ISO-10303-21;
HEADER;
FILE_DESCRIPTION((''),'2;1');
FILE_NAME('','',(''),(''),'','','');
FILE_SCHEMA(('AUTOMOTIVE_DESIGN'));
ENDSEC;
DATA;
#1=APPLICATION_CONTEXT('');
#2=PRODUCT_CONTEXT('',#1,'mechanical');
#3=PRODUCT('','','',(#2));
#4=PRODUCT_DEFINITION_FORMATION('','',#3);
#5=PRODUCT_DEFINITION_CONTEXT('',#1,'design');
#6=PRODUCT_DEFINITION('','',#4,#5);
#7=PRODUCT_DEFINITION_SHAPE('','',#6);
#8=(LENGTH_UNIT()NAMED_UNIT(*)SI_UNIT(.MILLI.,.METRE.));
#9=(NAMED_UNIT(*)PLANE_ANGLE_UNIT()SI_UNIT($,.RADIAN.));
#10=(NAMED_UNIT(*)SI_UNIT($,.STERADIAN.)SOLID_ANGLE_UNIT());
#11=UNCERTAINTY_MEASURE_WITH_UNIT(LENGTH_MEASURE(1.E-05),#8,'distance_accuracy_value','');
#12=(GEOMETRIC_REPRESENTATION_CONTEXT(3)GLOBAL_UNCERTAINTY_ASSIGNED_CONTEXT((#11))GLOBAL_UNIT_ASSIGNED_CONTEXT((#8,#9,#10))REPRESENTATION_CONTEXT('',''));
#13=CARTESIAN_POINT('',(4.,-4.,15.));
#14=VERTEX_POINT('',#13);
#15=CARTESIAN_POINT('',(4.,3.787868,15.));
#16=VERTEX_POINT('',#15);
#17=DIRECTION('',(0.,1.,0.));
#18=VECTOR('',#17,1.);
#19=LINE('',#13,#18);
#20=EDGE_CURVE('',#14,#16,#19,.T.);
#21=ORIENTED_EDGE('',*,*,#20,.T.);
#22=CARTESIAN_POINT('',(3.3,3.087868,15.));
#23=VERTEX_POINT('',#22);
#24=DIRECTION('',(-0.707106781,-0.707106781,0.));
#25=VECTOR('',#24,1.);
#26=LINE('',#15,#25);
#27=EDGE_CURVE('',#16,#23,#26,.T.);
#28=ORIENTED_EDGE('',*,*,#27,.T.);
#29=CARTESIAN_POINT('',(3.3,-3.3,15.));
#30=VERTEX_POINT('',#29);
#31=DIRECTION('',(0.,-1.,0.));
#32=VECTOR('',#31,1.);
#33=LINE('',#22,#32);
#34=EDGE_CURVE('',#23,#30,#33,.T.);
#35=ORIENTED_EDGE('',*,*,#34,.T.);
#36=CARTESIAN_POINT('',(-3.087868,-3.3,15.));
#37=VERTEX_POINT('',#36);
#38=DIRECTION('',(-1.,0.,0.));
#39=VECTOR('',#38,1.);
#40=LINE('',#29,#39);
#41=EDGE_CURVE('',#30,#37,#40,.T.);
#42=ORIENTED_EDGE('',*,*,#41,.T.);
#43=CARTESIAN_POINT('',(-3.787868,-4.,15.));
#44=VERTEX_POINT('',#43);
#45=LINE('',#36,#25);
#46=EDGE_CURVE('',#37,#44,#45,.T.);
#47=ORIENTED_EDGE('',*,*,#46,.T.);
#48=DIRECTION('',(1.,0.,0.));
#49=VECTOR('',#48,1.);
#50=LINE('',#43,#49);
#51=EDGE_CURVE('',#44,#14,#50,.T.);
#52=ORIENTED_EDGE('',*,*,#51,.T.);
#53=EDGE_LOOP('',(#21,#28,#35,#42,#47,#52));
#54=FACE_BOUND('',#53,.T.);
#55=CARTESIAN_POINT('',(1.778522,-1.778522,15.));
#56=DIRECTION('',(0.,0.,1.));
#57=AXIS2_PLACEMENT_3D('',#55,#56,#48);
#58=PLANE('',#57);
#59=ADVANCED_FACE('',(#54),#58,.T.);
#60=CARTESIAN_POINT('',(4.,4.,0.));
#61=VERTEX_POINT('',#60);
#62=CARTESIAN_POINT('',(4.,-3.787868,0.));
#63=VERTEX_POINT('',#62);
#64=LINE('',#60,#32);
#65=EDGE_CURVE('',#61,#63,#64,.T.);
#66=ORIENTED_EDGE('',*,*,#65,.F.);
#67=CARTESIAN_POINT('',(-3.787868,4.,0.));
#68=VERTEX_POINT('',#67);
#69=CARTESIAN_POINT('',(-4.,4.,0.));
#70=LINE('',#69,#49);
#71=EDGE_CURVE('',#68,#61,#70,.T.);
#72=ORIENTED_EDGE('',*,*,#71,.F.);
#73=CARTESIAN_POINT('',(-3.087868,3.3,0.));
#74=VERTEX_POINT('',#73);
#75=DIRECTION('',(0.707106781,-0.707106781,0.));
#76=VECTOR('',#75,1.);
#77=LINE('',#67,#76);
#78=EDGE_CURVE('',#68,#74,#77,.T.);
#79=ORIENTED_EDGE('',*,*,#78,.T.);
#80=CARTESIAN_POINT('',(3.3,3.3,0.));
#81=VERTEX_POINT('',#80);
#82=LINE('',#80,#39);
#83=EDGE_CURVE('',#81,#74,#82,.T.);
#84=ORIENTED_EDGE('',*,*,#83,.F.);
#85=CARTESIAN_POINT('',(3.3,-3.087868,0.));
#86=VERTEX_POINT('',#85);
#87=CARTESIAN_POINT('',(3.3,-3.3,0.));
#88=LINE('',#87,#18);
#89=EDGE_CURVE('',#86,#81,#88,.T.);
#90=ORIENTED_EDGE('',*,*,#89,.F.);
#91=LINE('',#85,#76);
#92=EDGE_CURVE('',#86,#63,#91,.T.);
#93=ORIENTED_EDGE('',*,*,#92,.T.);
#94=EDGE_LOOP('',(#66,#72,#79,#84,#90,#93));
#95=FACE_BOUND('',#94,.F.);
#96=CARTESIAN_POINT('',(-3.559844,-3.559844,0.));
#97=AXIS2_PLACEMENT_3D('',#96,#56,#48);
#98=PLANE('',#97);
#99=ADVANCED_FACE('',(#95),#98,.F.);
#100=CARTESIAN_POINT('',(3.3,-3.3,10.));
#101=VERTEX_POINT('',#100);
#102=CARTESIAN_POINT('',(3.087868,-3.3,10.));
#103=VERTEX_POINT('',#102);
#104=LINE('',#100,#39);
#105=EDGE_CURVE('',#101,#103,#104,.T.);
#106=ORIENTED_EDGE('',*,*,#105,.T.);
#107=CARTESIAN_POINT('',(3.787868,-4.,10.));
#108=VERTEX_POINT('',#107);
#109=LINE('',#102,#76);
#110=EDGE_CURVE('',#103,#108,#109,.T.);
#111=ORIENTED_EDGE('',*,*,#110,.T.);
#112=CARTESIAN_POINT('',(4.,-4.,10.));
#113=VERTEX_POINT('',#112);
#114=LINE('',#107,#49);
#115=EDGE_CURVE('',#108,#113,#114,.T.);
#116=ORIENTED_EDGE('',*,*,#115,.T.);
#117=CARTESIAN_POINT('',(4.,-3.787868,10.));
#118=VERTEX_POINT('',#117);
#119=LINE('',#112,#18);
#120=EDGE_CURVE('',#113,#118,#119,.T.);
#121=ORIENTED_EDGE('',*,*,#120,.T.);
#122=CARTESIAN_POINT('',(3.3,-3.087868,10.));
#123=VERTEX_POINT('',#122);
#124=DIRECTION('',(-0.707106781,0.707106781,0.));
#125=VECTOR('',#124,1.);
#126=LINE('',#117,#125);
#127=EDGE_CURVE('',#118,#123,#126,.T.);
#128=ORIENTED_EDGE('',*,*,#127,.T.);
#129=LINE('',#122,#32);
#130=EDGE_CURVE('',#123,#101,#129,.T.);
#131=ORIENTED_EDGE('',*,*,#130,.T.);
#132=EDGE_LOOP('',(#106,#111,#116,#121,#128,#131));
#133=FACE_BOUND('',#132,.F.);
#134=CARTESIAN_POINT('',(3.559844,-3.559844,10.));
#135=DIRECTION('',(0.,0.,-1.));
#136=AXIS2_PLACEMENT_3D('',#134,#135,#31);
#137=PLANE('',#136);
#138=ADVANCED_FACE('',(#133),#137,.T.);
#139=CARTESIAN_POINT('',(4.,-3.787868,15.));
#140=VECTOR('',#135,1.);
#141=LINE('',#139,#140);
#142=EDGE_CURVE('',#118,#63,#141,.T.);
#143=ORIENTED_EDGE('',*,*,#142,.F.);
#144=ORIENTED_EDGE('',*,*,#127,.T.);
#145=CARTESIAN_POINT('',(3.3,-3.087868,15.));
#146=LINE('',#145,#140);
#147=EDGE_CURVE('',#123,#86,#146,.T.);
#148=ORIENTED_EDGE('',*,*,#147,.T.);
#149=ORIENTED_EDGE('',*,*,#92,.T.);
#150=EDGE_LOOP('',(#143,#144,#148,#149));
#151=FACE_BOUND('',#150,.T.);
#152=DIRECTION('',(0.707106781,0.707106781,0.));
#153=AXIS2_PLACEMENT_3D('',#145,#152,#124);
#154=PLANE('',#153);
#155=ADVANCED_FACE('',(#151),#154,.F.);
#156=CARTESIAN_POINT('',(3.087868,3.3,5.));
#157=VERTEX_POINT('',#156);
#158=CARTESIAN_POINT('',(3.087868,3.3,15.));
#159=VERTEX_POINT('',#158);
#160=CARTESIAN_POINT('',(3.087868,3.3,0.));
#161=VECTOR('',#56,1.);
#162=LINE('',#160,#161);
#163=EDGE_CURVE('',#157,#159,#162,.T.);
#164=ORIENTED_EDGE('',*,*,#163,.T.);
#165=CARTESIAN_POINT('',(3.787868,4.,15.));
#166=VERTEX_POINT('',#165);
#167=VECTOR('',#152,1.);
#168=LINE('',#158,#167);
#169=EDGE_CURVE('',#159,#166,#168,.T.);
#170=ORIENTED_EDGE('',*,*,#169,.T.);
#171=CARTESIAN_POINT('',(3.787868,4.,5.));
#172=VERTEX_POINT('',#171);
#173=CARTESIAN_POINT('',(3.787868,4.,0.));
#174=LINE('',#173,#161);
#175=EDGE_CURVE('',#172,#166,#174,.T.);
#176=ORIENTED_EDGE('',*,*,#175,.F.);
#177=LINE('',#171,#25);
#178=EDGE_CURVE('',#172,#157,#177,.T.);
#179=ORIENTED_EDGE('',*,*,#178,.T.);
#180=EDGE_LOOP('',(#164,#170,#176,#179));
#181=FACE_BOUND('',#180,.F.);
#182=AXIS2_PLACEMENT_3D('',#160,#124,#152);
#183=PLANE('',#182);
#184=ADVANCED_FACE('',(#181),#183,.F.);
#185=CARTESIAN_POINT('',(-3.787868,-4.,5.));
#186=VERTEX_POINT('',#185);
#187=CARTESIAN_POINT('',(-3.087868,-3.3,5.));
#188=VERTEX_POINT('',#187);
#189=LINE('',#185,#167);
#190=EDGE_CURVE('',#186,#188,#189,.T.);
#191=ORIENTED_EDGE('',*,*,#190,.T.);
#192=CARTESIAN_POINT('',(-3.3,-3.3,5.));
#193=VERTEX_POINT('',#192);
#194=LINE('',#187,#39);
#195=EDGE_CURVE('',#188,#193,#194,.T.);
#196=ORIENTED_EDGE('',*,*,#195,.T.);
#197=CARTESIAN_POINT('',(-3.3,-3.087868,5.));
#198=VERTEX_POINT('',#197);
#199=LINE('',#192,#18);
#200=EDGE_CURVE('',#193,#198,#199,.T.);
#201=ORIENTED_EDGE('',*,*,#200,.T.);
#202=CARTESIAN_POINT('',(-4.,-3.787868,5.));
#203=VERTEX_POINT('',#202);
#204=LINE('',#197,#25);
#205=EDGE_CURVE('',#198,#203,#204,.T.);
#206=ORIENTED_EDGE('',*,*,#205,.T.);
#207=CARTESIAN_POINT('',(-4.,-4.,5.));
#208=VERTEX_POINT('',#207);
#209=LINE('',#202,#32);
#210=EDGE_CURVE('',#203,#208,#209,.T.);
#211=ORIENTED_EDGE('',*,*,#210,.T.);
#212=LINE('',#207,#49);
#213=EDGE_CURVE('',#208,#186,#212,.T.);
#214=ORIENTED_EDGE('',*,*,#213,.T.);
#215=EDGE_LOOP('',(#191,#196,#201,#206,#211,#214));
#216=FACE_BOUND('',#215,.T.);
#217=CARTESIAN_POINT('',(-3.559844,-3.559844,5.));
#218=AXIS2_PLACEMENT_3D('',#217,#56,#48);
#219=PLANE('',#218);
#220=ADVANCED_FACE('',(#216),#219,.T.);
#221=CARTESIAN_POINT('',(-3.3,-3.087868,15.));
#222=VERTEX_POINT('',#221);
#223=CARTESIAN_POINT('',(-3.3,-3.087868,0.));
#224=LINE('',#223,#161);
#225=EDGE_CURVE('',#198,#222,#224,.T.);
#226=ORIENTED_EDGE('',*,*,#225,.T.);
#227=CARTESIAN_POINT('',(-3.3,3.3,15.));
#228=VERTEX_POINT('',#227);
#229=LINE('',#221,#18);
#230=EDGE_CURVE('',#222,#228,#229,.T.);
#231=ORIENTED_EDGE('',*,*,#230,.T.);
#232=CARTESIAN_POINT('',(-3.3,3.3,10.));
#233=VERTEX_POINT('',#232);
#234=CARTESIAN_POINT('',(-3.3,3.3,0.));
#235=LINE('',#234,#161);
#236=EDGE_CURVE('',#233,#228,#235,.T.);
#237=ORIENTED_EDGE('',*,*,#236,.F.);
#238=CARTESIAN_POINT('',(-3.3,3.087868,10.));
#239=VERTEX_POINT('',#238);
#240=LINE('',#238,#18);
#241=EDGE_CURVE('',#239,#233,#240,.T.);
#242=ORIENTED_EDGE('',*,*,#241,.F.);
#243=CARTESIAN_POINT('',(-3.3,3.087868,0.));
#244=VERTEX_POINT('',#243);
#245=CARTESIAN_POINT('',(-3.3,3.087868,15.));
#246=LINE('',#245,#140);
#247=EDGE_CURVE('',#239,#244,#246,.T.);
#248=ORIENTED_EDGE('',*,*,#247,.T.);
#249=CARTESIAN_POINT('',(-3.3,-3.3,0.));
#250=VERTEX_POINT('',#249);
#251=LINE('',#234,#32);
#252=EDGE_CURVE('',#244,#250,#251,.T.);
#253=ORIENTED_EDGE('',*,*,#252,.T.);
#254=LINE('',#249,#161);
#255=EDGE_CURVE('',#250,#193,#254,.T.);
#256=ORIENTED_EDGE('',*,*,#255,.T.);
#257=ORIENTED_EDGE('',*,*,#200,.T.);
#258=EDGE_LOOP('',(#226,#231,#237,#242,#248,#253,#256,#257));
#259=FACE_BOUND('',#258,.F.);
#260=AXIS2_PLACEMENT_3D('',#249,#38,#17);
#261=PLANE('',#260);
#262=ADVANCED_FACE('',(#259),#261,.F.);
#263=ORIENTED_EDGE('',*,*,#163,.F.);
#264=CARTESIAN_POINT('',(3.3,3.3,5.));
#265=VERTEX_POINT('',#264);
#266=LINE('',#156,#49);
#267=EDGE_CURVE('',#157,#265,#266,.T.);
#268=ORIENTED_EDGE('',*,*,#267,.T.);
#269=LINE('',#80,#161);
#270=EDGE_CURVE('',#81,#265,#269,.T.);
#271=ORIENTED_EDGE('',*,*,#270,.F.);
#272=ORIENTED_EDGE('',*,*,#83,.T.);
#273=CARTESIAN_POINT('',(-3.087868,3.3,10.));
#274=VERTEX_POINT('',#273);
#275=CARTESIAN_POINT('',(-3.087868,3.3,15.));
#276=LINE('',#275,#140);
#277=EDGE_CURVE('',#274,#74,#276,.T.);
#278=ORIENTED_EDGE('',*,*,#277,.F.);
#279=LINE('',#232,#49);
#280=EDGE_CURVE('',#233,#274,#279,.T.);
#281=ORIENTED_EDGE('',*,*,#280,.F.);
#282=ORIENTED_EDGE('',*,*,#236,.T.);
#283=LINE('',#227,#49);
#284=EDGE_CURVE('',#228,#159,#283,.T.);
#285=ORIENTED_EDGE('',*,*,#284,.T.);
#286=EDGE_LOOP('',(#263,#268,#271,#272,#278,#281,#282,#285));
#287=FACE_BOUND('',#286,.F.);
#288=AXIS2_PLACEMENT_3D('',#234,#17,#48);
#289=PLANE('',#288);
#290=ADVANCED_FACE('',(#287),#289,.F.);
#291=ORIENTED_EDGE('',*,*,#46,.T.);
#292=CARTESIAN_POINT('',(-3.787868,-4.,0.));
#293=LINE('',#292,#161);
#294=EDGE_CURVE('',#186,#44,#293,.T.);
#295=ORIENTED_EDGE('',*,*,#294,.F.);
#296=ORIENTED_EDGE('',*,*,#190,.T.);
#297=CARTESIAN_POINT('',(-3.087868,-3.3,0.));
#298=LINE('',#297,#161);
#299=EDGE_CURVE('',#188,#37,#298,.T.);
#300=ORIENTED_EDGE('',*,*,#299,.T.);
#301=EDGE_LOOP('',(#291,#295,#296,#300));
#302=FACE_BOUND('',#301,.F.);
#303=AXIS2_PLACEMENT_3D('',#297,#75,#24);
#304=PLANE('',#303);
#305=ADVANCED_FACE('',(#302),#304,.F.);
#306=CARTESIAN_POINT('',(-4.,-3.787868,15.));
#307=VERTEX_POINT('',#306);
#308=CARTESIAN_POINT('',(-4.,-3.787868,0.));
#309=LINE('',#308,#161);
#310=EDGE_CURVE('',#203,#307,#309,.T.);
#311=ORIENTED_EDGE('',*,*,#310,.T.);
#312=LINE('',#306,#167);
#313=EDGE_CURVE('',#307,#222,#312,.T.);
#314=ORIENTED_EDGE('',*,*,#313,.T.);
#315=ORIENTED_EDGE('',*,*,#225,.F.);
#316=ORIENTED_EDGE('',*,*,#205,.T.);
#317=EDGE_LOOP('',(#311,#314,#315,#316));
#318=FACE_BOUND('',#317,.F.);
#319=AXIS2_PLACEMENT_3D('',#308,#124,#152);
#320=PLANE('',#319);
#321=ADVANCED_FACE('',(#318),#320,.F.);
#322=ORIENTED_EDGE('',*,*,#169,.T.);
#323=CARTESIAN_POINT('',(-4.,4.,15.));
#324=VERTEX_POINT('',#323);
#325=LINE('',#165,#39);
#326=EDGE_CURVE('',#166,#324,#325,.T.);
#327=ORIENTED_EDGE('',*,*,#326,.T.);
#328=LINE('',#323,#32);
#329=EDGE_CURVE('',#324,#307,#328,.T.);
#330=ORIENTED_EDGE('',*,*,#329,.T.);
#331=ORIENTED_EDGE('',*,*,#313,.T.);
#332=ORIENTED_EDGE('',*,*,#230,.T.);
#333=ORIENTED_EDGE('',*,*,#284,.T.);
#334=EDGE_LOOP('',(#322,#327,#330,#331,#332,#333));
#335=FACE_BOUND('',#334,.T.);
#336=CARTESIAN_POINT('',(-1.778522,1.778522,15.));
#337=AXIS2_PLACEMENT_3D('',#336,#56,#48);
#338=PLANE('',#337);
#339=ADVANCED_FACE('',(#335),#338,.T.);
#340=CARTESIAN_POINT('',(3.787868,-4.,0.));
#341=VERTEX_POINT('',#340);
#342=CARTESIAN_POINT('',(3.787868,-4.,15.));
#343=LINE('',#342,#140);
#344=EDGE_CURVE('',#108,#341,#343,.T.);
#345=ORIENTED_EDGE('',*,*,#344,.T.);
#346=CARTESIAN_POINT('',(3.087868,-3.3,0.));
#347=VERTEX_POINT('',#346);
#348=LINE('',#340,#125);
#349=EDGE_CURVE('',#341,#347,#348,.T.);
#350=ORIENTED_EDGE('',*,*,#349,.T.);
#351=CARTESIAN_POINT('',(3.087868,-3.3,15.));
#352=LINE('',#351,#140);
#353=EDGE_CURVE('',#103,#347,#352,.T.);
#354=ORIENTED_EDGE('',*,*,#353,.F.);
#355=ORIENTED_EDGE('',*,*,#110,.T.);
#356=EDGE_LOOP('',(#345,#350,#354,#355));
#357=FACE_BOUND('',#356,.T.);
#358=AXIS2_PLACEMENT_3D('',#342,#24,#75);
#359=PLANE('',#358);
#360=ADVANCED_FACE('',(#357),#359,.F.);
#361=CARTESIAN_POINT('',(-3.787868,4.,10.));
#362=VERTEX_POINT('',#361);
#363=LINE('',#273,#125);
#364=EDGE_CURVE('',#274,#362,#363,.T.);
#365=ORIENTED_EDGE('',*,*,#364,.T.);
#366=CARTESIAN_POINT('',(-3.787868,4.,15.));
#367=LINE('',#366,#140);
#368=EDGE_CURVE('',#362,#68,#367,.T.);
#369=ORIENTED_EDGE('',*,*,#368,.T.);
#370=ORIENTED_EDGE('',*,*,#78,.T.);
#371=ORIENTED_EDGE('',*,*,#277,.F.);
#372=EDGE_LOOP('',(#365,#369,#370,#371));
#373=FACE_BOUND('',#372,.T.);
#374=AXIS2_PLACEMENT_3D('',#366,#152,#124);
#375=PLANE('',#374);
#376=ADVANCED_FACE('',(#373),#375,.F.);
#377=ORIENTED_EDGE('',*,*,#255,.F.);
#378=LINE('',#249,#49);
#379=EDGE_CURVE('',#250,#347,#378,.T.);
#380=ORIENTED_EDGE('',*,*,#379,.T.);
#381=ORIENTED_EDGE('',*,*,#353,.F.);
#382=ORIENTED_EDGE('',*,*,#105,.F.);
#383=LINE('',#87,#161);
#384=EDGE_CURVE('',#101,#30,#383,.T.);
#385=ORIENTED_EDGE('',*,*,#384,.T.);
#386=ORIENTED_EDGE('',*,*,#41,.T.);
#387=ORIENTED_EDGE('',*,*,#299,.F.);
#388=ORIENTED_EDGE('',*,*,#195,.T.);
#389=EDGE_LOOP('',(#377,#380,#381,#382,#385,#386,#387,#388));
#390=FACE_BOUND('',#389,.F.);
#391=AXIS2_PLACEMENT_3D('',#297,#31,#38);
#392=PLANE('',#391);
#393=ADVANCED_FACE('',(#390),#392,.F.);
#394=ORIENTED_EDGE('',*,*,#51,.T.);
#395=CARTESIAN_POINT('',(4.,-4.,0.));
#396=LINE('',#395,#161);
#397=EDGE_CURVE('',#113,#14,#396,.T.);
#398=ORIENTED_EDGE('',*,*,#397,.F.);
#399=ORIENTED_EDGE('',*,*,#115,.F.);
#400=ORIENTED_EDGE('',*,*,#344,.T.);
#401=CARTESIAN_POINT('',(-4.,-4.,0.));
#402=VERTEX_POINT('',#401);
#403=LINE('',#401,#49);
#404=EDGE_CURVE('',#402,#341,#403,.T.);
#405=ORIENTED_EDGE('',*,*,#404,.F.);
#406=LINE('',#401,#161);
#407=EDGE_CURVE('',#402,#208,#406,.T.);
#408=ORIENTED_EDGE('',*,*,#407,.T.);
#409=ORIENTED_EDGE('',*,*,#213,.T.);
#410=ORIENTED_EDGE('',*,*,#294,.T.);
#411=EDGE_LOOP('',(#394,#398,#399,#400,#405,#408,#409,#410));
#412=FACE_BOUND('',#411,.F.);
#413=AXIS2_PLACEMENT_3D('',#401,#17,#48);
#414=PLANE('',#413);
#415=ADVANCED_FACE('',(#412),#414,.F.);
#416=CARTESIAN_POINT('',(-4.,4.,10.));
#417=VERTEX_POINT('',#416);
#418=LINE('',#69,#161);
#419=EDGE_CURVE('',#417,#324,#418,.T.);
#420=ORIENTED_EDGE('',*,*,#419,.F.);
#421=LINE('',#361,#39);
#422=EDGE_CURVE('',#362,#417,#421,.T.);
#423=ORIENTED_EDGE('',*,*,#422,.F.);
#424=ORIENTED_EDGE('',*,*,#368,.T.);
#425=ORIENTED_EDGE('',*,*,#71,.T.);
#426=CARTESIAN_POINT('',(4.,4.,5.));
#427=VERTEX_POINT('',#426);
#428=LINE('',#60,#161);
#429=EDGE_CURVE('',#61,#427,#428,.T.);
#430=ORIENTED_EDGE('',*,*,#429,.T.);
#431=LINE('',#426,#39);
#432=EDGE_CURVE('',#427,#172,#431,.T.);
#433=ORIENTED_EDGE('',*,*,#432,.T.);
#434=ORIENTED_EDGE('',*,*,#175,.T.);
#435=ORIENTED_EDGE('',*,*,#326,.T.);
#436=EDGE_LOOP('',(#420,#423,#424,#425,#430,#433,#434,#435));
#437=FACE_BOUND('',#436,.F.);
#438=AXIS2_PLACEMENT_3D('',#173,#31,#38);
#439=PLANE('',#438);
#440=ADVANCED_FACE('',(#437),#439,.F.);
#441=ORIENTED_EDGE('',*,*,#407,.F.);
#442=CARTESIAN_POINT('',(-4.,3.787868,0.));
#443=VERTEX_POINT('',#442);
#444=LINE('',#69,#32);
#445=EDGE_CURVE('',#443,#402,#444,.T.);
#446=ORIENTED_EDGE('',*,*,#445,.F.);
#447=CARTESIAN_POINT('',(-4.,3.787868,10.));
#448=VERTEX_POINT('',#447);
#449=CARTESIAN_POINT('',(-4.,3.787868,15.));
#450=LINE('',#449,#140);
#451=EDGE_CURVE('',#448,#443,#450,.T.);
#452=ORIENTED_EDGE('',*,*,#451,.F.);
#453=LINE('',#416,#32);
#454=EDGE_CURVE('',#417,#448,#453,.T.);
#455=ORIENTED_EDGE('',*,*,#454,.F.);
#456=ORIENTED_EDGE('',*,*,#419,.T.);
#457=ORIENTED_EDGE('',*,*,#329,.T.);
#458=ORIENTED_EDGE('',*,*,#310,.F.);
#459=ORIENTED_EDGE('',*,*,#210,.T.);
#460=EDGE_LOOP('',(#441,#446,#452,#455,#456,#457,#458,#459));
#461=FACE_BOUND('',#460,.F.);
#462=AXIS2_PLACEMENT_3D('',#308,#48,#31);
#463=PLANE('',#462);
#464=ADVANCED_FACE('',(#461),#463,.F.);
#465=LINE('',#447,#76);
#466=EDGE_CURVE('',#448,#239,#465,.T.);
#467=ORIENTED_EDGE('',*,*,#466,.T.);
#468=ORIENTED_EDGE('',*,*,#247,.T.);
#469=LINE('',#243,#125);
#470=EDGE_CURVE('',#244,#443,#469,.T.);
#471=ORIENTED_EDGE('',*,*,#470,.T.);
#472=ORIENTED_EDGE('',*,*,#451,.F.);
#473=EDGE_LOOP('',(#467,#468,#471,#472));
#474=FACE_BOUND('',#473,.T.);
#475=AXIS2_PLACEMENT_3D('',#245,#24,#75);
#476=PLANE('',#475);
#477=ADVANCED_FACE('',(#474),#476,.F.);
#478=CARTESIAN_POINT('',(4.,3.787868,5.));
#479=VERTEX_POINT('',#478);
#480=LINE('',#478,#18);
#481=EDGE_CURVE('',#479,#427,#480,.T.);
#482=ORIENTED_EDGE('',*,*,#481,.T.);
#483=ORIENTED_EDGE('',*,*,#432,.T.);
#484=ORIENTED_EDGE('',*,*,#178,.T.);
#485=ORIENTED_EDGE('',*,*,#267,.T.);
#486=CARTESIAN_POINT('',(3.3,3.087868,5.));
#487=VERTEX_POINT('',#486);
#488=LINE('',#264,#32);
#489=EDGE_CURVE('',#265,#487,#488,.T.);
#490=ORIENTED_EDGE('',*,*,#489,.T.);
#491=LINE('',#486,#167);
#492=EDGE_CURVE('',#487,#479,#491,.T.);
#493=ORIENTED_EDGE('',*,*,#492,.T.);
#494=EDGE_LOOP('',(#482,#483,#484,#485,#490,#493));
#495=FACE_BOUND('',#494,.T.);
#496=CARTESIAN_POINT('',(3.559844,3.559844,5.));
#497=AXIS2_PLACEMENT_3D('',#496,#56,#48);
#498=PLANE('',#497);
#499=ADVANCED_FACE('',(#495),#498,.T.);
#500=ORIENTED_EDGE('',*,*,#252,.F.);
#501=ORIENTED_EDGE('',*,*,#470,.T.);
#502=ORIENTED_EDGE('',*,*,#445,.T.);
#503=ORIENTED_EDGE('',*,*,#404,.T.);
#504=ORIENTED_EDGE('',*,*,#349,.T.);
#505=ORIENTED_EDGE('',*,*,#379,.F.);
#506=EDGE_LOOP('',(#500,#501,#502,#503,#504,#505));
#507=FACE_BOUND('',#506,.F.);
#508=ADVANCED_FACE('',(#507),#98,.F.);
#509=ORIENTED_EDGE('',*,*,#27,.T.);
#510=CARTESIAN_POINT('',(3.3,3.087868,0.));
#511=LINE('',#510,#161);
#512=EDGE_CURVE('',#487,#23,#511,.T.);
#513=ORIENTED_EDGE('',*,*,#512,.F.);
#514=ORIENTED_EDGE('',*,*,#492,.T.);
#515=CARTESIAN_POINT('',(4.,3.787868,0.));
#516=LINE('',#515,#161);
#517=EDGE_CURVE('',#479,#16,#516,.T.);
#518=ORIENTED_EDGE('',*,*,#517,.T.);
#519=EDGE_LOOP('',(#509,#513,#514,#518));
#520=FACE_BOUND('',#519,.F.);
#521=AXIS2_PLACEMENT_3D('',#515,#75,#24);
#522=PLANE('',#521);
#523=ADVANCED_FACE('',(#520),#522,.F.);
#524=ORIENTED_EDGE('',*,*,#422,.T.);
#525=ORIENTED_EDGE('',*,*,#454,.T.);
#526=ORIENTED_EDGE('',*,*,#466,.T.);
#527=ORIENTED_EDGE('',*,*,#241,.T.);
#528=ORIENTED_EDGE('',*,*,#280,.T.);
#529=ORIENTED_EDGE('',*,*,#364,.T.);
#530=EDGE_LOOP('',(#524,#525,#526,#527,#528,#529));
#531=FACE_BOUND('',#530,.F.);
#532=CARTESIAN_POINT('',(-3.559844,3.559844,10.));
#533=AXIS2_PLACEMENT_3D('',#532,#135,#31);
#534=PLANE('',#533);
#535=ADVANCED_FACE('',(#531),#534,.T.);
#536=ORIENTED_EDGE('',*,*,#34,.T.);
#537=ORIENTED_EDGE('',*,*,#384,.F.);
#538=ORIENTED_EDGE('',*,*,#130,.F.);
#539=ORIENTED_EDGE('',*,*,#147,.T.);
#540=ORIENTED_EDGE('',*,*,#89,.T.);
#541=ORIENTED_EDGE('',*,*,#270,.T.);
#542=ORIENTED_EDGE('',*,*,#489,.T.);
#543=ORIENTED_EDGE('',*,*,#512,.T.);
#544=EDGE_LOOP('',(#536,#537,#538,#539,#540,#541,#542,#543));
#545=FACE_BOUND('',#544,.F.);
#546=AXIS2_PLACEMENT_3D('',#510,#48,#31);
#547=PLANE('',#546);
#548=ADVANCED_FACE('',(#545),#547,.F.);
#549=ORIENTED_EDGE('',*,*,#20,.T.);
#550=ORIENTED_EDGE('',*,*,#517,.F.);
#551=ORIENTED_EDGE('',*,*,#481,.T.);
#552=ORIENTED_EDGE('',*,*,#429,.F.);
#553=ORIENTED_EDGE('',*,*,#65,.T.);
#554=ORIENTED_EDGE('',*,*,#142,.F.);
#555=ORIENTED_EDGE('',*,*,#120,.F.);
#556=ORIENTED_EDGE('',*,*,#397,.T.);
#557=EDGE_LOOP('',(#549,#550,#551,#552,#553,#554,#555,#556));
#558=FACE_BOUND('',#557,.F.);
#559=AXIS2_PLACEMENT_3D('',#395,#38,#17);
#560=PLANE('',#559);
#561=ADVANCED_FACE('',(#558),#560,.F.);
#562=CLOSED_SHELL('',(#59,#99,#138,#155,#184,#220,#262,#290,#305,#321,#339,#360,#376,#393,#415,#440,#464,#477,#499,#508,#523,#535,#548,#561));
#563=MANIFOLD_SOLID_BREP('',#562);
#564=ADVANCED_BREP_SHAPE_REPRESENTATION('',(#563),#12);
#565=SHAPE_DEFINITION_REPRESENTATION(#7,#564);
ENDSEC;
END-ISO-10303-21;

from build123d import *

# Parameters (mm, degrees)
F1_DEPTH = 15
F2_DEPTH = 5
F4_ANGLE = 90


with BuildPart() as f1:
    # F0 (on Top) → F1 (new body)
    with BuildSketch(Plane.XY):
        Polygon((-4, 4), (-4, -3.7878679656), (-3.3, -3.0878679656), (-3.3, 3.3), (3.0878679656, 3.3), (3.7878679656, 4), align=None)
        Polygon((-3.7878679656, -4), (4, -4), (4, 3.7878679656), (3.3, 3.0878679656), (3.3, -3.3), (-3.0878679656, -3.3), align=None)
    extrude(amount=F1_DEPTH)

    # F0 (on Top) → F2 (join)
    with BuildSketch(Plane.XY):
        Polygon((-4, -4), (-3.7878679656, -4), (-3.0878679656, -3.3), (-3.3, -3.3), (-3.3, -3.0878679656), (-4, -3.7878679656), align=None)
        Polygon((3.3, 3.0878679656), (4, 3.7878679656), (4, 4), (3.7878679656, 4), (3.0878679656, 3.3), (3.3, 3.3), align=None)
    extrude(amount=F2_DEPTH)


with BuildPart() as f3_1:
    # F3: instance of F1
    add(f1.part.mirror(Plane(origin=(-1.8837940264, 1.8837940264, 15), x_dir=(1, 0, 0), z_dir=(0, 0, 1))))


with BuildPart() as f3_1_1:
    # F4: moved
    add(f3_1.part.rotate(Axis((4, -4, 22.5), (0, 0, 1)), F4_ANGLE))


with BuildPart() as f3_1_2:
    # F5: moved
    add(f3_1_1.part.moved(Location((0, 8, -15))))


with BuildPart() as f1_1:
    add(f1.part)

    # F6: intersect F3_1
    add(f3_1_2.part, mode=Mode.INTERSECT)


solid = f1_1.part
